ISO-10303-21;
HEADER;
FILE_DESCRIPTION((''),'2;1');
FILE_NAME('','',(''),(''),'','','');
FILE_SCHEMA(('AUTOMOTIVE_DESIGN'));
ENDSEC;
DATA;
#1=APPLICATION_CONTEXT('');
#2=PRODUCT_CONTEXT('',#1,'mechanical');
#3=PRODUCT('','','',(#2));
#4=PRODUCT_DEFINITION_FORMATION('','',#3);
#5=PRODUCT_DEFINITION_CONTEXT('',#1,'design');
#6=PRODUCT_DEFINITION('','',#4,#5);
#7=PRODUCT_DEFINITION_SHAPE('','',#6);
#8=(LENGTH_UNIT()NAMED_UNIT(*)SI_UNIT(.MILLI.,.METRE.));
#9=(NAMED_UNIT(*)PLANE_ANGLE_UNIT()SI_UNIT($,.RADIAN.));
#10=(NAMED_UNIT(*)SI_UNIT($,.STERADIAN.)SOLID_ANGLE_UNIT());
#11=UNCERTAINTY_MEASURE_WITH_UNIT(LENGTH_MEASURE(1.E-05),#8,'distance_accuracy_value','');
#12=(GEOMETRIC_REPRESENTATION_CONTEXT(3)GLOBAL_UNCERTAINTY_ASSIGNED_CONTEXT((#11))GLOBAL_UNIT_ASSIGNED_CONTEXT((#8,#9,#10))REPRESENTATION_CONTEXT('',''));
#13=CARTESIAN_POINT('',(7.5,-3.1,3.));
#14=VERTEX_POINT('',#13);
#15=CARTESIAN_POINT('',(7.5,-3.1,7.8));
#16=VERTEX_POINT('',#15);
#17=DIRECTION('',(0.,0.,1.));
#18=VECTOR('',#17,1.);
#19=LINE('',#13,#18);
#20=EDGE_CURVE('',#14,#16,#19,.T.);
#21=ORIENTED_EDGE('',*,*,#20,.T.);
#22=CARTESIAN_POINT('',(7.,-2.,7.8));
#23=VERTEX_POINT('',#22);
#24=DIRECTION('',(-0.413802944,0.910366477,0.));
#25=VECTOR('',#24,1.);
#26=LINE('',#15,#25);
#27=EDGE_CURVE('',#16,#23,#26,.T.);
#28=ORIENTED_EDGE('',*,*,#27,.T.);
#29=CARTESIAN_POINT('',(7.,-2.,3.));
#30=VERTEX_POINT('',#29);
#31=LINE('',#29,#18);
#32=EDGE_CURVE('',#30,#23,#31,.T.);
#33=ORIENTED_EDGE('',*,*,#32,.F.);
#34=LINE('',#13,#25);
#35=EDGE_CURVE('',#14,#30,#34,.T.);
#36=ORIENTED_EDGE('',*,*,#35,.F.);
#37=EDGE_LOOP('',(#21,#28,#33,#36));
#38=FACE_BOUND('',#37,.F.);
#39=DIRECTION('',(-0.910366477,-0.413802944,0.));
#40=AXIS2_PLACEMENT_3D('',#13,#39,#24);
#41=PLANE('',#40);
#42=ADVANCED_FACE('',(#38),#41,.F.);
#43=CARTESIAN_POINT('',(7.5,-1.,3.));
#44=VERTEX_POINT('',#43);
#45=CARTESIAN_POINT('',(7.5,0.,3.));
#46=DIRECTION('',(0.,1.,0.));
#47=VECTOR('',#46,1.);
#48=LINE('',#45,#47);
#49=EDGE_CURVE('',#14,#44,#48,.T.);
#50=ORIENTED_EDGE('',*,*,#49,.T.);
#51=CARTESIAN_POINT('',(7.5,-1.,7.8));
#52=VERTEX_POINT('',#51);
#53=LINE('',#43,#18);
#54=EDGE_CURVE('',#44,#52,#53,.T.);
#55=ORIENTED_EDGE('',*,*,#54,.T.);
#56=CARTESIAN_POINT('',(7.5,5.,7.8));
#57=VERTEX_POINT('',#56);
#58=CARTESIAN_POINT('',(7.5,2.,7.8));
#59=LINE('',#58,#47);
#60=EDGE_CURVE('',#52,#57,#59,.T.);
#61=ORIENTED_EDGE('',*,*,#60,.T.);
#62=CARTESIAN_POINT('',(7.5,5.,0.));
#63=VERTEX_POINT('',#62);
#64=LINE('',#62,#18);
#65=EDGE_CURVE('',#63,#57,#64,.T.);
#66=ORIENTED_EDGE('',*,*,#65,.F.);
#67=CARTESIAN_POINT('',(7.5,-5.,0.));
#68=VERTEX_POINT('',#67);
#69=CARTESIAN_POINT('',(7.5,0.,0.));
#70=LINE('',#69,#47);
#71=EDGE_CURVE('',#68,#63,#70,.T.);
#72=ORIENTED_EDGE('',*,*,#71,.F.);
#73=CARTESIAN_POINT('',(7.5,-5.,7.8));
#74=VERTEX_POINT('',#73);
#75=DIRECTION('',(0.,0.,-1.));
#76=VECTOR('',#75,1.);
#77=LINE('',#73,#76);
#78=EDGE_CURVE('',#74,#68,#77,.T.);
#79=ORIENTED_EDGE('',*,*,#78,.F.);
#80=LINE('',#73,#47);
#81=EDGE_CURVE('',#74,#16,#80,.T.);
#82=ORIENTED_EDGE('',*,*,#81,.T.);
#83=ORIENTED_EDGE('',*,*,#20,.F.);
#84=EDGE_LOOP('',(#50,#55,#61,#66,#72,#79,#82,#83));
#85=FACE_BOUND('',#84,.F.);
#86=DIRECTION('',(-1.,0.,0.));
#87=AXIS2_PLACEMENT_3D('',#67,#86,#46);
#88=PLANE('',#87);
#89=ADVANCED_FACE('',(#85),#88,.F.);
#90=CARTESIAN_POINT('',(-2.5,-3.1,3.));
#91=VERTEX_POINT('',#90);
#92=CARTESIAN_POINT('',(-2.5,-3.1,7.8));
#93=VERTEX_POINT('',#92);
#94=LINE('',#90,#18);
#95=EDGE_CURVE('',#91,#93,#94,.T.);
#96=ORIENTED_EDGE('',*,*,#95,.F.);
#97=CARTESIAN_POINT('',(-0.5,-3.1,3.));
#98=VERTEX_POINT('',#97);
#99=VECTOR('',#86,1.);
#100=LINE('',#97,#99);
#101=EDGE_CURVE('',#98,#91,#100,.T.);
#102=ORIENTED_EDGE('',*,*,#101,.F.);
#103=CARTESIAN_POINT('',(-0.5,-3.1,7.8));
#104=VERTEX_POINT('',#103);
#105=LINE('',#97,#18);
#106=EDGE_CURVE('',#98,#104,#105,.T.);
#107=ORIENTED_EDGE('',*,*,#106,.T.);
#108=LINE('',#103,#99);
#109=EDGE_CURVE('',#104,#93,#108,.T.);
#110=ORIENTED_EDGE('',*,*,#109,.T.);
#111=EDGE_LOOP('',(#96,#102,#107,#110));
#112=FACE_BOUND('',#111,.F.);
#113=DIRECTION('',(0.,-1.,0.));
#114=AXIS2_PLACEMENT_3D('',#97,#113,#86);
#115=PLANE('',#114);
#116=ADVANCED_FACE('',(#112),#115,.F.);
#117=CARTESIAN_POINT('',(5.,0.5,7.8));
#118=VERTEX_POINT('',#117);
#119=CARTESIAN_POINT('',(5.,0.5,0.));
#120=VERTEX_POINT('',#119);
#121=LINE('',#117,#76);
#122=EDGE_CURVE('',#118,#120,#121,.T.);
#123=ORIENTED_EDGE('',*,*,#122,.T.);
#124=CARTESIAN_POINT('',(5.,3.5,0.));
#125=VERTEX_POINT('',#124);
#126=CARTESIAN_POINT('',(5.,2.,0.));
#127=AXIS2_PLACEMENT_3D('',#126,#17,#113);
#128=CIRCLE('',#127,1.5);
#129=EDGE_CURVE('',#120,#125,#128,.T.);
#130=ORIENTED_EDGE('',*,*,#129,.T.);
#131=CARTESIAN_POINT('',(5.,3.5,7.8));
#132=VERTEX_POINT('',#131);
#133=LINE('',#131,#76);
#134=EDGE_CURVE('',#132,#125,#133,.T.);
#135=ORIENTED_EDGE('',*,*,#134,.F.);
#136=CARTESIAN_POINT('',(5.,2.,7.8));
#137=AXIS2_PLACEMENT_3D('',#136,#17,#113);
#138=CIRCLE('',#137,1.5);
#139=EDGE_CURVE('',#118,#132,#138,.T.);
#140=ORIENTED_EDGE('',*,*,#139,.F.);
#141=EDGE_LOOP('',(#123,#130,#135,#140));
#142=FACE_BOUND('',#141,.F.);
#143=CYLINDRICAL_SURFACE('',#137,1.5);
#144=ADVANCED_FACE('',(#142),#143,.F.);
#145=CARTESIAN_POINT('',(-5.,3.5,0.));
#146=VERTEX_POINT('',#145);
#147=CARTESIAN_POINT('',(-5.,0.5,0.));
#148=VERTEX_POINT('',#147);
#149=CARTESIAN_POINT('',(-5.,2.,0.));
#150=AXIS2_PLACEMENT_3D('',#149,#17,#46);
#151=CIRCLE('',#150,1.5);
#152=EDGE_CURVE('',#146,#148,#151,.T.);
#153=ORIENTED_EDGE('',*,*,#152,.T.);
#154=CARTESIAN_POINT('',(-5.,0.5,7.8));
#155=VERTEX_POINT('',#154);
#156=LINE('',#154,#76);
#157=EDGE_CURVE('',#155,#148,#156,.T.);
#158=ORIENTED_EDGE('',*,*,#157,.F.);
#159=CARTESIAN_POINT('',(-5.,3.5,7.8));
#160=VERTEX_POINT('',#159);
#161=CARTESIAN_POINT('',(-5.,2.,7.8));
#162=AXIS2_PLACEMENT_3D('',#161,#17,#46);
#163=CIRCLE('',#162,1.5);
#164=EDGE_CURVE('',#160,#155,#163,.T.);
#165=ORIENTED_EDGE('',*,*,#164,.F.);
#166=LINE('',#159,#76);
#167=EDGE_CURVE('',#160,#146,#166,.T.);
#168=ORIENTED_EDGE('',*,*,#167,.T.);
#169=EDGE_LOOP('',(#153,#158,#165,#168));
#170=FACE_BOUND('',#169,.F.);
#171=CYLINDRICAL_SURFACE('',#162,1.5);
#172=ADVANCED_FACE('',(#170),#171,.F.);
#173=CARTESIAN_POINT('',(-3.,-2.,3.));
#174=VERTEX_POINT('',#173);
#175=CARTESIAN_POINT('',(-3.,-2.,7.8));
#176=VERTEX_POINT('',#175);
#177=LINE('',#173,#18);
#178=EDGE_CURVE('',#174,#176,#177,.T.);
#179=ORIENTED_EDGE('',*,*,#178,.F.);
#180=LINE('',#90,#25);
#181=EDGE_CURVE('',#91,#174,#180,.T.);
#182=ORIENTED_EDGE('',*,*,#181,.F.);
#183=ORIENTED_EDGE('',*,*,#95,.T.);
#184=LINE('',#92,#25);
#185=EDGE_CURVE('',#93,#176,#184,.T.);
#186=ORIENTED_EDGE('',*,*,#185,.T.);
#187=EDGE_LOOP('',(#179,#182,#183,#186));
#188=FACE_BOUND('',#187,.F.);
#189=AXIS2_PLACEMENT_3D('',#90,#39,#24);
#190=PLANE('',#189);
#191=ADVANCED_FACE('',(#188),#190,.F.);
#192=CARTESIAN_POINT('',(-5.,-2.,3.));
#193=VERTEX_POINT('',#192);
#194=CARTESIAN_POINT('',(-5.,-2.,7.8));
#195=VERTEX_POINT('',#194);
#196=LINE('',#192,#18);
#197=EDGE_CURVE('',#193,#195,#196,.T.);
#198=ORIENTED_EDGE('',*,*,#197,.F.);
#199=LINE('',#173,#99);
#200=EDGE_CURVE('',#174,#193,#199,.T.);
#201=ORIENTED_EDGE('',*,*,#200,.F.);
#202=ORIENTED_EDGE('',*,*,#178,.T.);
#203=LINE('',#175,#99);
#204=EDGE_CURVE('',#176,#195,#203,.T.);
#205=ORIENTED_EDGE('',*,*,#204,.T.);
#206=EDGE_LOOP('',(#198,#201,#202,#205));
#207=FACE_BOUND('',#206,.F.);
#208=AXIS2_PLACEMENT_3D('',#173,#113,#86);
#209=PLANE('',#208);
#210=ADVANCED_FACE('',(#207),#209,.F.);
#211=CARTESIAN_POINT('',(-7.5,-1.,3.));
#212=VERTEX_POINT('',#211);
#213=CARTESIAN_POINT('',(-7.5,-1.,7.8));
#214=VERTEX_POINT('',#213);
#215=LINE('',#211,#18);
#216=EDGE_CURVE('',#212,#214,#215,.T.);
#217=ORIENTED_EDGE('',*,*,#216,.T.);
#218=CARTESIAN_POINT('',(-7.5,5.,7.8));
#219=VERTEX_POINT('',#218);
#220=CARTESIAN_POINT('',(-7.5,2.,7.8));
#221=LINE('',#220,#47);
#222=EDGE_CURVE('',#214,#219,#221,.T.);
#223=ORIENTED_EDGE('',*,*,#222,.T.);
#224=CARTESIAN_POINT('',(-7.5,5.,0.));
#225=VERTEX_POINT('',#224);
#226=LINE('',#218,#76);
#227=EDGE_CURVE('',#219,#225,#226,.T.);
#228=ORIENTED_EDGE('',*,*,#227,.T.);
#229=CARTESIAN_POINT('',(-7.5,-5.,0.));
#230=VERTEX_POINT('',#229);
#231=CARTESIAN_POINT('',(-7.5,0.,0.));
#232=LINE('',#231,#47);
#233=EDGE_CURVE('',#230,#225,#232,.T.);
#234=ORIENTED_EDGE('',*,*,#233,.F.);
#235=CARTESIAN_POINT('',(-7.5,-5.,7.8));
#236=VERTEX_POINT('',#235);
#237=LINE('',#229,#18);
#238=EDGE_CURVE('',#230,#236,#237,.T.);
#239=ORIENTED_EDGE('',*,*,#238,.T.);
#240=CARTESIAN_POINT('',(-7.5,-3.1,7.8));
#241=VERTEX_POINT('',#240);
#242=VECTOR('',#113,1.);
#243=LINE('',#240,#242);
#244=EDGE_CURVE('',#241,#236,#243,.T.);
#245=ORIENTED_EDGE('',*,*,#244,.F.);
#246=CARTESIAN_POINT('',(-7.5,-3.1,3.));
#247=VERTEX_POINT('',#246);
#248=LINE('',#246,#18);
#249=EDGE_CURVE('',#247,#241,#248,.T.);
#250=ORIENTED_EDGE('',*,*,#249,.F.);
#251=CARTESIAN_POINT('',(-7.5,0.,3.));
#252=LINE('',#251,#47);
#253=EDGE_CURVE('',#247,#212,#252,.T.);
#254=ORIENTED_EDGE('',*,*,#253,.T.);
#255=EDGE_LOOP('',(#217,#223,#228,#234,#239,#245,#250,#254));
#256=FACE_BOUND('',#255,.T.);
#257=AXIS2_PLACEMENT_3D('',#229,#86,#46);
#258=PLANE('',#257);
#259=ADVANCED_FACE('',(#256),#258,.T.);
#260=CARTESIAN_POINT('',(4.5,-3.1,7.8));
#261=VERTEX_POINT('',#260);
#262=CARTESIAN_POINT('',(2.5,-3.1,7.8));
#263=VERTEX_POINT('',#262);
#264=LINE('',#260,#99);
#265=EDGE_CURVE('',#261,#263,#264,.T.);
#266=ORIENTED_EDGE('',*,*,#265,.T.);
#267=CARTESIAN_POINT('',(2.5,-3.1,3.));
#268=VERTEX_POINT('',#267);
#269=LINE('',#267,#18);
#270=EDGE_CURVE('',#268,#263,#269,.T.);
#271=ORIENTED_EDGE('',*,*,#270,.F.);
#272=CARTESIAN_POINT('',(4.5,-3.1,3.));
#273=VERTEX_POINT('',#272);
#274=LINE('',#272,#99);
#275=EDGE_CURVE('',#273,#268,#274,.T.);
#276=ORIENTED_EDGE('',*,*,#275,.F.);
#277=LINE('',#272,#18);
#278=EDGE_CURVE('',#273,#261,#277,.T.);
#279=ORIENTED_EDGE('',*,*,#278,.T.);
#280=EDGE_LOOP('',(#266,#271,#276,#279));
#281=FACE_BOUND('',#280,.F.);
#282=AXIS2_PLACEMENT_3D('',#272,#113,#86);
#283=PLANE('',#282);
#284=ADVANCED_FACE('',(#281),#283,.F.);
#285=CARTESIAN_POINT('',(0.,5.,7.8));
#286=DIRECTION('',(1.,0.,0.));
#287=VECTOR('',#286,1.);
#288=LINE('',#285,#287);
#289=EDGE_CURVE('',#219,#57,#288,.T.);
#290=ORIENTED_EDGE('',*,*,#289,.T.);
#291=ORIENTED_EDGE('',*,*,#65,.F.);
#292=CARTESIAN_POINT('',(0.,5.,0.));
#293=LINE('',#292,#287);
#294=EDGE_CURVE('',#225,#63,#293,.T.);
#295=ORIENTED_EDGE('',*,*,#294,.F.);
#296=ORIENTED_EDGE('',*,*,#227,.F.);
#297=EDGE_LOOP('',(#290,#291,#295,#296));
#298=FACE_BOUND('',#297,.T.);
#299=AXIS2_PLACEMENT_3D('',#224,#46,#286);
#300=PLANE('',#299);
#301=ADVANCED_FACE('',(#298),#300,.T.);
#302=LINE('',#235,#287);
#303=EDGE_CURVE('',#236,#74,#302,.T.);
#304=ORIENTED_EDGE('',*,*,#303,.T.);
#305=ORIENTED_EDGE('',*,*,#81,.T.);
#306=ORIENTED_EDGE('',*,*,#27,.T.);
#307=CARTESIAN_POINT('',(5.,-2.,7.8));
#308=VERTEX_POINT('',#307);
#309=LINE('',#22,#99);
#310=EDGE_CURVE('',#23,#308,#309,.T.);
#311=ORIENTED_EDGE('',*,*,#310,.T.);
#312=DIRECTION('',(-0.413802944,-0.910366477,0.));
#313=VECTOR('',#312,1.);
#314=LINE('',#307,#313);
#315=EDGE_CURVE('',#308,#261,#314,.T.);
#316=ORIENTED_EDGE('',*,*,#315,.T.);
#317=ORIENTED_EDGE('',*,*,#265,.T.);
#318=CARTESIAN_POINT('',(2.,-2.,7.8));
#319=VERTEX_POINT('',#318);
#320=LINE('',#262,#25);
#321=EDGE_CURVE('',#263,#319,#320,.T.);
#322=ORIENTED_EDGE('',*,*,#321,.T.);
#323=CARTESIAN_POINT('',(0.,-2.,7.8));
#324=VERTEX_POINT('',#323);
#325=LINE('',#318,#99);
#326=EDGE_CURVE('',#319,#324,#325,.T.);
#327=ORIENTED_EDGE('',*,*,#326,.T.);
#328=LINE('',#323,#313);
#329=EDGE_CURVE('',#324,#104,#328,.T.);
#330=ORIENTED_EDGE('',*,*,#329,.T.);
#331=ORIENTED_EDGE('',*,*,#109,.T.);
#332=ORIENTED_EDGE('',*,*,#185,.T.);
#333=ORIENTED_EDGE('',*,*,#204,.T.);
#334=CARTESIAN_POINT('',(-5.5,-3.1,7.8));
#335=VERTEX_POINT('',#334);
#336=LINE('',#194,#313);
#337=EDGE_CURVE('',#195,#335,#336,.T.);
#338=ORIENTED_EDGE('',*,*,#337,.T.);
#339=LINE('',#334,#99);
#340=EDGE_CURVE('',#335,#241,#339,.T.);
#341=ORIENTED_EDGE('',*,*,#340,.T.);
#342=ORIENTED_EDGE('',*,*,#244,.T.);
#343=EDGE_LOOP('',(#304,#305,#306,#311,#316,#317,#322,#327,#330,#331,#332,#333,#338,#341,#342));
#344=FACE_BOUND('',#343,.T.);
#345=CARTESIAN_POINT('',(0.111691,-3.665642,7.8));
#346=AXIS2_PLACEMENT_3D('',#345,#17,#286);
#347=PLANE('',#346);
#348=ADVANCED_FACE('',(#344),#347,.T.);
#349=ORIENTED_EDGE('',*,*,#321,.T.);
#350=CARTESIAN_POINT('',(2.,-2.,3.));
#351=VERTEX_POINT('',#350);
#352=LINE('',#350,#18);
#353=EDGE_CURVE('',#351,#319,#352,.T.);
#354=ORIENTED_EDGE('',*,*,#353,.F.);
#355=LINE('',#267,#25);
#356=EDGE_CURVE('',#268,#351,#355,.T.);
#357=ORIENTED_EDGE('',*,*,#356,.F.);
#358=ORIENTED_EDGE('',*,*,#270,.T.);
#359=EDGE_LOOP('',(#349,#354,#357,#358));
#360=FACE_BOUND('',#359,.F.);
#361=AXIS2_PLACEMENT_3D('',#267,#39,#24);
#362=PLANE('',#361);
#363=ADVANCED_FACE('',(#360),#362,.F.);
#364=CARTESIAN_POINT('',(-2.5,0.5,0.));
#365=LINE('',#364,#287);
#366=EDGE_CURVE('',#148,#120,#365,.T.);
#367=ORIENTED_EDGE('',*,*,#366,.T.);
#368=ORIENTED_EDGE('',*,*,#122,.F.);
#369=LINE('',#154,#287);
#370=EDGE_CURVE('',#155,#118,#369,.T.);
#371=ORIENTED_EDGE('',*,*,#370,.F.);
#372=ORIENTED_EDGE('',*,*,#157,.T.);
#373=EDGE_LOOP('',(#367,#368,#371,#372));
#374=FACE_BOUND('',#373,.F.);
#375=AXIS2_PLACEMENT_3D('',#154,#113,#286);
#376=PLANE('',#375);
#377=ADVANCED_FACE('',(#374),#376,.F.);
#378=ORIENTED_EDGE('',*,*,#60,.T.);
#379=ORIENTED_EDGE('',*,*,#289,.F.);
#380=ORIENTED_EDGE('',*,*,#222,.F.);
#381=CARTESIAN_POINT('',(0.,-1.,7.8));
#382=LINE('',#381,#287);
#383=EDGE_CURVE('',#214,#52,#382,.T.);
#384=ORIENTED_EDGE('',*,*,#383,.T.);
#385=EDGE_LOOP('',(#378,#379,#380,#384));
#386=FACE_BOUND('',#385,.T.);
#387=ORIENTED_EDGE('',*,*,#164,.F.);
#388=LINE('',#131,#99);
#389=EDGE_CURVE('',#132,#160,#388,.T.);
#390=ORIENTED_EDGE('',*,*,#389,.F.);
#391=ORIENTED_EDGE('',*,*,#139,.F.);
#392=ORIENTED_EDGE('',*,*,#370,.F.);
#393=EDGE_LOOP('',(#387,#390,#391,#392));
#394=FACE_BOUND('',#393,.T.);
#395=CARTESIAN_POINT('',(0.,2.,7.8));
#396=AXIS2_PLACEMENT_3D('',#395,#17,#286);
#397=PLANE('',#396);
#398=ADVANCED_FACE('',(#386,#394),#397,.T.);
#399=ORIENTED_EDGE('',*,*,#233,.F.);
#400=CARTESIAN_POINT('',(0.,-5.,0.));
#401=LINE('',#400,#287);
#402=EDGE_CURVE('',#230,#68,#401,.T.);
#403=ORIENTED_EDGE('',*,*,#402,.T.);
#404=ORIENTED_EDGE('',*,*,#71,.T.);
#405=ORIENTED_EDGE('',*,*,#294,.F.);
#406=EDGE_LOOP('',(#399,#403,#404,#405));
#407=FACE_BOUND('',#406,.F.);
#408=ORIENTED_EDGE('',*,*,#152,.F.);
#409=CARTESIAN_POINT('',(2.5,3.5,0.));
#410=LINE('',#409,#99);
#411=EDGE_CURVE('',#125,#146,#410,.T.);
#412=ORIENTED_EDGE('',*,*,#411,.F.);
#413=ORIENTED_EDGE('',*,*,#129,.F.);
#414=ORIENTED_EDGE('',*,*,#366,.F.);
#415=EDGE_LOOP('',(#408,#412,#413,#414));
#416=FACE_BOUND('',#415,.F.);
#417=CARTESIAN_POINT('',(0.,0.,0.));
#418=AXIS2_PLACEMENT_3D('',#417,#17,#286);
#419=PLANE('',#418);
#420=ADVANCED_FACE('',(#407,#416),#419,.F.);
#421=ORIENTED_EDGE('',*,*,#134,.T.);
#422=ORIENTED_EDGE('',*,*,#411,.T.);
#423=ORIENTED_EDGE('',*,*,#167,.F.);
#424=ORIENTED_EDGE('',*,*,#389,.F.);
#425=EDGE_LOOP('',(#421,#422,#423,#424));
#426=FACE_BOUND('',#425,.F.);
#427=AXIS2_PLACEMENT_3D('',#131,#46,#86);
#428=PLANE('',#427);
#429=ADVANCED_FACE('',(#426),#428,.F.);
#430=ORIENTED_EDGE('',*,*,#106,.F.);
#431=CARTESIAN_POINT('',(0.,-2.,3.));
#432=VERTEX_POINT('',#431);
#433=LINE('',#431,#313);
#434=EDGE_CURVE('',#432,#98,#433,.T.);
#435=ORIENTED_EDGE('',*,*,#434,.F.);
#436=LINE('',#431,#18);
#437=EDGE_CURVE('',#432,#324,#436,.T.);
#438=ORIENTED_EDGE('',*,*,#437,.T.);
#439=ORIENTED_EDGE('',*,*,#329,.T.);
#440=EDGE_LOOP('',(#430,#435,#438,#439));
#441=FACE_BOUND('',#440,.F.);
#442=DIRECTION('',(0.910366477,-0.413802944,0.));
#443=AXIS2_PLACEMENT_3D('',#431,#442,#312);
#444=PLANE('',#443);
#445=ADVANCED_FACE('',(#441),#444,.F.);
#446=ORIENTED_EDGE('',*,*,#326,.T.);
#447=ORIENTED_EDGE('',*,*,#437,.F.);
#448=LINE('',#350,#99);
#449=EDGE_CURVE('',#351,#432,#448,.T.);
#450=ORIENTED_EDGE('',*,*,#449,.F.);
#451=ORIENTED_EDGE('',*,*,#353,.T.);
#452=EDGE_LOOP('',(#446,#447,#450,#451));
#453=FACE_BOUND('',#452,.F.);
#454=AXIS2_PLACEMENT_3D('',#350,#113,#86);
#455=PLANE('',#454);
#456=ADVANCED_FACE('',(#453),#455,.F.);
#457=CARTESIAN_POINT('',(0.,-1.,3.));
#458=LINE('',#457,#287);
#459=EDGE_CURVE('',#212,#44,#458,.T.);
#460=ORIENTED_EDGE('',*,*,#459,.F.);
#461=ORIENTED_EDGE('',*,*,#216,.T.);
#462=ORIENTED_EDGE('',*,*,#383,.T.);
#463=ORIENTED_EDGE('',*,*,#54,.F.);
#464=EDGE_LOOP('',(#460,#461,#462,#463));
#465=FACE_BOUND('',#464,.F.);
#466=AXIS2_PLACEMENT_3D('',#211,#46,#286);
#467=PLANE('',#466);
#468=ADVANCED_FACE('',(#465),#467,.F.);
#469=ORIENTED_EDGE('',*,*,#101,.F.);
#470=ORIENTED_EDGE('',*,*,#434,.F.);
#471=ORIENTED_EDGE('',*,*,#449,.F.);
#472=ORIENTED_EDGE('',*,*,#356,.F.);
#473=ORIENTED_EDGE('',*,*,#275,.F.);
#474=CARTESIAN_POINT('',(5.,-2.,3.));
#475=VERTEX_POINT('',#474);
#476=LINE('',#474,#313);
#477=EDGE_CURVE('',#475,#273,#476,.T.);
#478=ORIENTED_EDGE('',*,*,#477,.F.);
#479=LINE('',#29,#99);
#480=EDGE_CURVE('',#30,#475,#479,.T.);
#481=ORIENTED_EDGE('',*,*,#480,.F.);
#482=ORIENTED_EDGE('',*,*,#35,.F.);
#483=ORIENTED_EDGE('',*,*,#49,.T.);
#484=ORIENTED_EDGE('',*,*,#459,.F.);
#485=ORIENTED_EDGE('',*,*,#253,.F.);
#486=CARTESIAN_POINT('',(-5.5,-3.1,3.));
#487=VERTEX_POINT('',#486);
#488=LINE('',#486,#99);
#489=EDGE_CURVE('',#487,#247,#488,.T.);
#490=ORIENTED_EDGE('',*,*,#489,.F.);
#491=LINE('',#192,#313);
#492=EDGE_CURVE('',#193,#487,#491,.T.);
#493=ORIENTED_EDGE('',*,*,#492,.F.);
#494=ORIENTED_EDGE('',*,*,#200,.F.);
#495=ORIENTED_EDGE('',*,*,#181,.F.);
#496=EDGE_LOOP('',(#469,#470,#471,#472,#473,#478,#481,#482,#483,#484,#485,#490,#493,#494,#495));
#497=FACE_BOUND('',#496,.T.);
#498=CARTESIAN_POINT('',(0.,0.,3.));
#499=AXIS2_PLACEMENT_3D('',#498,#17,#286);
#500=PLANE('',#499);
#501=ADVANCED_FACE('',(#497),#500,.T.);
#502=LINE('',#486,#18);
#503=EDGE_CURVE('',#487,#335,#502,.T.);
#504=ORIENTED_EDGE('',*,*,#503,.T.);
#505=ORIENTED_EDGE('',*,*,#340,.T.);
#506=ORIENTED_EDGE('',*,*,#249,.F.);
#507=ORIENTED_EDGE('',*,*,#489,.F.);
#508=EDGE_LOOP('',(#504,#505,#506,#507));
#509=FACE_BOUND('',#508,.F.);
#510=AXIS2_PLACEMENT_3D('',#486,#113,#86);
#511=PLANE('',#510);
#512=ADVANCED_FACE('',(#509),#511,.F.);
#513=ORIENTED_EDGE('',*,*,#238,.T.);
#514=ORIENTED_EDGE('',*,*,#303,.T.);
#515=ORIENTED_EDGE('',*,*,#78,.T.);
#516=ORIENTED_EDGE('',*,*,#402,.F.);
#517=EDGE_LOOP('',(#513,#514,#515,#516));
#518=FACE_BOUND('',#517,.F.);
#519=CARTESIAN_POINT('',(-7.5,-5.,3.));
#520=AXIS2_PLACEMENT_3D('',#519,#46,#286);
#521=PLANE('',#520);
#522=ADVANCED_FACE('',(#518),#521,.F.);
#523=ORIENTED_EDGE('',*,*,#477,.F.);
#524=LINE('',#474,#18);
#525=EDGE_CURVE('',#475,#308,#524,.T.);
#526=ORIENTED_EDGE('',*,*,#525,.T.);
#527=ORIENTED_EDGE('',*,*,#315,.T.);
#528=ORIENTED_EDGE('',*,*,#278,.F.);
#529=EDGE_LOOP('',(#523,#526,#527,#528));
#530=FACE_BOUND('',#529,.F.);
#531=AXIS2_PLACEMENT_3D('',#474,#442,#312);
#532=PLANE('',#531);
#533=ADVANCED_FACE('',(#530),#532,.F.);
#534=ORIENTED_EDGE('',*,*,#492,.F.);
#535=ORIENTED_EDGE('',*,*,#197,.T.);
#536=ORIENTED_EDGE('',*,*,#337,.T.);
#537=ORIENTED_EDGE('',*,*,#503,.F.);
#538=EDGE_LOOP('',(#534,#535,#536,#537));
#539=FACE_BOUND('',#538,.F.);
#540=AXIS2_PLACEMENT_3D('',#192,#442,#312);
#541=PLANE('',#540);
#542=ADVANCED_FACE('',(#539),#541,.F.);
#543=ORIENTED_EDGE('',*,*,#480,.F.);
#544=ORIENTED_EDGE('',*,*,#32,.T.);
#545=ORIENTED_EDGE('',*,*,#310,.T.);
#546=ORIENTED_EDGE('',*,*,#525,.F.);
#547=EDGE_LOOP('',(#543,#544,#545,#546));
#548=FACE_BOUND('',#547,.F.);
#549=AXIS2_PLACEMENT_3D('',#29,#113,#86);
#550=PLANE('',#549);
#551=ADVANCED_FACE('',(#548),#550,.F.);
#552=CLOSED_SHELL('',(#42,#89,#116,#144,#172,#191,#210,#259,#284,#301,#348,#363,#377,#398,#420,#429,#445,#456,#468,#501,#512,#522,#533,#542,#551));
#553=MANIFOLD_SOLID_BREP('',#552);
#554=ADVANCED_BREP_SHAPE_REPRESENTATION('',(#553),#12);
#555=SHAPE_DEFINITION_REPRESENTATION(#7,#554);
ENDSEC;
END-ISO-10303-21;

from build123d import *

# Parameters (mm, degrees)
F0_W     = 15
F0_H     = 10
F1_DEPTH = 3
F2_W     = 15
F2_H     = 6
F3_DEPTH = 4.8
F5_DEPTH = 7.801


with BuildPart() as f1:
    # F0 (on Top) → F1 (new body)
    with BuildSketch(Plane.XY):
        Rectangle(F0_W, F0_H)
    extrude(amount=F1_DEPTH)

    # F2 (on face) → F3 (join)
    with BuildSketch(Plane.XY.offset(3)):
        Polygon((2, -2), (0, -2), (-0.5, -3.1), (-2.5, -3.1), (-3, -2), (-5, -2), (-5.5, -3.1), (-7.5, -3.1), (-7.5, -5), (7.5, -5), (7.5, -3.1), (7, -2), (5, -2), (4.5, -3.1), (2.5, -3.1), align=None)
        with Locations((0, 2)):
            Rectangle(F2_W, F2_H)
    extrude(amount=F3_DEPTH)

    # F4 (on face) → F5 (cut, through all)
    with BuildSketch(Plane.XY.offset(7.8)):
        with BuildLine():
            Line((5, 3.5), (-5, 3.5))
            ThreePointArc((-5, 3.5), (-6.5, 2), (-5, 0.5))
            Line((-5, 0.5), (5, 0.5))
            ThreePointArc((5, 0.5), (6.5, 2), (5, 3.5))
        make_face()
    extrude(amount=-F5_DEPTH, mode=Mode.SUBTRACT)


solid = f1.part
